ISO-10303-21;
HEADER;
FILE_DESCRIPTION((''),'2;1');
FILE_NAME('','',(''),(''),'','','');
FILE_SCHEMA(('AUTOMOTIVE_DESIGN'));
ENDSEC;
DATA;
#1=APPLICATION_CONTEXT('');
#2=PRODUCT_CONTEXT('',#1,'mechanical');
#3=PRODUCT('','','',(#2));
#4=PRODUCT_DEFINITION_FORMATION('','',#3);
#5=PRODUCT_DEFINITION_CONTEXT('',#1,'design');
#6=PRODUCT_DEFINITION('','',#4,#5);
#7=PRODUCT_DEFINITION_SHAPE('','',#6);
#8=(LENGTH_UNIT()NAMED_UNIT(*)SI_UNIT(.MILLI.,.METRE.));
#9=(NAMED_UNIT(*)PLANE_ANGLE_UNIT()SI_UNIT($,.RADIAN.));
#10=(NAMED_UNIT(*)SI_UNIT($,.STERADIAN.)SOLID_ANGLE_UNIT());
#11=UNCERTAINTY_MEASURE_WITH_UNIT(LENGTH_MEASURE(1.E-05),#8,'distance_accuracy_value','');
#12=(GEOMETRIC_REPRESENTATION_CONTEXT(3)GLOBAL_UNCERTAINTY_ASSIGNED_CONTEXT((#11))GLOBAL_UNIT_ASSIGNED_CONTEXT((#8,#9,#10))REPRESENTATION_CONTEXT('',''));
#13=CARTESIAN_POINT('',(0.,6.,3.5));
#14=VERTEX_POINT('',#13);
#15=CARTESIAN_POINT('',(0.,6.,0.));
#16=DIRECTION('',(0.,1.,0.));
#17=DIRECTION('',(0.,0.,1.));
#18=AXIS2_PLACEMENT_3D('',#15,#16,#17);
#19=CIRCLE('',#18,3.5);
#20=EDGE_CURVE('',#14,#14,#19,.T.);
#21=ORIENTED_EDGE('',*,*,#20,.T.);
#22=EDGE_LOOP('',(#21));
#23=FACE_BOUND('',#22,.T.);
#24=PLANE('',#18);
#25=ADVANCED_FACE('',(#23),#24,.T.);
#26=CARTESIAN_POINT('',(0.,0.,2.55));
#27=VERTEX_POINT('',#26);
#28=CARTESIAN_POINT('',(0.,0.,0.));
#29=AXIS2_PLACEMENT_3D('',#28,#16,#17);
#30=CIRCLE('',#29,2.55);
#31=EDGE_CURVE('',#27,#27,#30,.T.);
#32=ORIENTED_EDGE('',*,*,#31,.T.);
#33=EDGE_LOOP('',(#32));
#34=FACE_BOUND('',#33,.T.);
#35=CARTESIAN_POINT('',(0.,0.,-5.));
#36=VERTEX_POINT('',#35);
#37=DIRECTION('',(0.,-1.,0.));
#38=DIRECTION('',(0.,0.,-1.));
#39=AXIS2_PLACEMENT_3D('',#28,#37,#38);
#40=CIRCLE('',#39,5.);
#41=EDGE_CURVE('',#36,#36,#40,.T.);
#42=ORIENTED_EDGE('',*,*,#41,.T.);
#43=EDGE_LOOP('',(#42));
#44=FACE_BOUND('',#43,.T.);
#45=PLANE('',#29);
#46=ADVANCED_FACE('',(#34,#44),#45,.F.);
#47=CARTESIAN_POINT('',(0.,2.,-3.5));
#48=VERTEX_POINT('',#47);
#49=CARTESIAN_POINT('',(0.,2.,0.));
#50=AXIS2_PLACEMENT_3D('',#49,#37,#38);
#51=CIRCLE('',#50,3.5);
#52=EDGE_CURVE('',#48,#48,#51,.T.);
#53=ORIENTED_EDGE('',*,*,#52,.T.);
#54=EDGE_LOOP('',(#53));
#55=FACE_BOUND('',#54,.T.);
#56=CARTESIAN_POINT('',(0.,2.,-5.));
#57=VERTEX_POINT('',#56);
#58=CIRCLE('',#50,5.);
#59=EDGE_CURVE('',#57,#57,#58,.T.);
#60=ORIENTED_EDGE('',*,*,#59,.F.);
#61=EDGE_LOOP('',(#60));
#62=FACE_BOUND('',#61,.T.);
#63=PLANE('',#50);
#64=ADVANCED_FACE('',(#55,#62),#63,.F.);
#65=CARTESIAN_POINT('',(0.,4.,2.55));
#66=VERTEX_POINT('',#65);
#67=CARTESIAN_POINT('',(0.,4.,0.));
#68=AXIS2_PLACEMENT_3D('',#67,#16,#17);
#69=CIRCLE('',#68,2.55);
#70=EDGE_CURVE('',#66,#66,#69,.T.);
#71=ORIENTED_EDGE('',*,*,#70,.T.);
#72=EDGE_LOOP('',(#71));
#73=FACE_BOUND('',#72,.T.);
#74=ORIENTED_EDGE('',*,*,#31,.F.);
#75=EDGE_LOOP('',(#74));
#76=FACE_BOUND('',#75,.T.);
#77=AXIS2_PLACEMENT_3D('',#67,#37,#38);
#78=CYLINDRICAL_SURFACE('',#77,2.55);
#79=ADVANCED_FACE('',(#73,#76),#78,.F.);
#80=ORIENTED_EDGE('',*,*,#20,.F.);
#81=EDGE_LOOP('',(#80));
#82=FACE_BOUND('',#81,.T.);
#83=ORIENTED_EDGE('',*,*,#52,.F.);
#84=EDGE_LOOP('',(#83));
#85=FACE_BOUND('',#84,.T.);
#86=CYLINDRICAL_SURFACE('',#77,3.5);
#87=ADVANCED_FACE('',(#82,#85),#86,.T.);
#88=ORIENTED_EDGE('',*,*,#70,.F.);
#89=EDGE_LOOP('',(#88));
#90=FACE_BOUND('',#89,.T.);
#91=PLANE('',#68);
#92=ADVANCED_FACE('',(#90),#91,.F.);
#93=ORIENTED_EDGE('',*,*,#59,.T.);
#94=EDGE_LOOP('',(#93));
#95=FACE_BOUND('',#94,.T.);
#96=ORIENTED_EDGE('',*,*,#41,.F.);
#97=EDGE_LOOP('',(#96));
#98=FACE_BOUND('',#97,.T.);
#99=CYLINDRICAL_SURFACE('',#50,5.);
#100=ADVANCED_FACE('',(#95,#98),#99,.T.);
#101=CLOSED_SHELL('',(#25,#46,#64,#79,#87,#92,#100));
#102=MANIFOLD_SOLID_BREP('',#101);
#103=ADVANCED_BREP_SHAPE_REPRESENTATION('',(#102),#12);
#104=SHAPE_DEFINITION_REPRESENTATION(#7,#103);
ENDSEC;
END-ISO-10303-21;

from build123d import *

# Parameters (mm, degrees)
SKETCH1_R           = 3.5
SKETCH1_R_2         = 2.55
BOSS_EXTRUDE1_DEPTH = 4
SKETCH2_R           = 3.5
BOSS_EXTRUDE2_DEPTH = 2
SKETCH4_R           = 5
SKETCH4_R_2         = 3.5
BOSS_EXTRUDE3_DEPTH = 2


with BuildPart() as part:
    # Sketch1 → Boss-Extrude1 (new body)
    with BuildSketch(Plane(origin=(0, 0, 0), x_dir=(1, 0, 0), z_dir=(0, 1, 0))):
        with Locations(Location((0, 0, 0), (0, 0, 270))):
            Circle(SKETCH1_R)
        with Locations(Location((0, 0, 0), (0, 0, 270))):
            Circle(SKETCH1_R_2, mode=Mode.SUBTRACT)
    extrude(amount=BOSS_EXTRUDE1_DEPTH)

    # Sketch2 → Boss-Extrude2 (add)
    with BuildSketch(Plane(origin=(0, 4, 0), x_dir=(1, 0, 0), z_dir=(0, 1, 0))):
        with Locations(Location((0, 0, 0), (0, 0, 270))):
            Circle(SKETCH2_R)
    extrude(amount=BOSS_EXTRUDE2_DEPTH)

    # Sketch4 → Boss-Extrude3 (add)
    with BuildSketch(Plane(origin=(0, 0, 0), x_dir=(-1, 0, 0), z_dir=(0, -1, 0))):
        with Locations(Location((0, 0, 0), (0, 0, 90))):
            Circle(SKETCH4_R)
        with Locations(Location((0, 0, 0), (0, 0, 90))):
            Circle(SKETCH4_R_2, mode=Mode.SUBTRACT)
    extrude(amount=-BOSS_EXTRUDE3_DEPTH)


solid = part.part
